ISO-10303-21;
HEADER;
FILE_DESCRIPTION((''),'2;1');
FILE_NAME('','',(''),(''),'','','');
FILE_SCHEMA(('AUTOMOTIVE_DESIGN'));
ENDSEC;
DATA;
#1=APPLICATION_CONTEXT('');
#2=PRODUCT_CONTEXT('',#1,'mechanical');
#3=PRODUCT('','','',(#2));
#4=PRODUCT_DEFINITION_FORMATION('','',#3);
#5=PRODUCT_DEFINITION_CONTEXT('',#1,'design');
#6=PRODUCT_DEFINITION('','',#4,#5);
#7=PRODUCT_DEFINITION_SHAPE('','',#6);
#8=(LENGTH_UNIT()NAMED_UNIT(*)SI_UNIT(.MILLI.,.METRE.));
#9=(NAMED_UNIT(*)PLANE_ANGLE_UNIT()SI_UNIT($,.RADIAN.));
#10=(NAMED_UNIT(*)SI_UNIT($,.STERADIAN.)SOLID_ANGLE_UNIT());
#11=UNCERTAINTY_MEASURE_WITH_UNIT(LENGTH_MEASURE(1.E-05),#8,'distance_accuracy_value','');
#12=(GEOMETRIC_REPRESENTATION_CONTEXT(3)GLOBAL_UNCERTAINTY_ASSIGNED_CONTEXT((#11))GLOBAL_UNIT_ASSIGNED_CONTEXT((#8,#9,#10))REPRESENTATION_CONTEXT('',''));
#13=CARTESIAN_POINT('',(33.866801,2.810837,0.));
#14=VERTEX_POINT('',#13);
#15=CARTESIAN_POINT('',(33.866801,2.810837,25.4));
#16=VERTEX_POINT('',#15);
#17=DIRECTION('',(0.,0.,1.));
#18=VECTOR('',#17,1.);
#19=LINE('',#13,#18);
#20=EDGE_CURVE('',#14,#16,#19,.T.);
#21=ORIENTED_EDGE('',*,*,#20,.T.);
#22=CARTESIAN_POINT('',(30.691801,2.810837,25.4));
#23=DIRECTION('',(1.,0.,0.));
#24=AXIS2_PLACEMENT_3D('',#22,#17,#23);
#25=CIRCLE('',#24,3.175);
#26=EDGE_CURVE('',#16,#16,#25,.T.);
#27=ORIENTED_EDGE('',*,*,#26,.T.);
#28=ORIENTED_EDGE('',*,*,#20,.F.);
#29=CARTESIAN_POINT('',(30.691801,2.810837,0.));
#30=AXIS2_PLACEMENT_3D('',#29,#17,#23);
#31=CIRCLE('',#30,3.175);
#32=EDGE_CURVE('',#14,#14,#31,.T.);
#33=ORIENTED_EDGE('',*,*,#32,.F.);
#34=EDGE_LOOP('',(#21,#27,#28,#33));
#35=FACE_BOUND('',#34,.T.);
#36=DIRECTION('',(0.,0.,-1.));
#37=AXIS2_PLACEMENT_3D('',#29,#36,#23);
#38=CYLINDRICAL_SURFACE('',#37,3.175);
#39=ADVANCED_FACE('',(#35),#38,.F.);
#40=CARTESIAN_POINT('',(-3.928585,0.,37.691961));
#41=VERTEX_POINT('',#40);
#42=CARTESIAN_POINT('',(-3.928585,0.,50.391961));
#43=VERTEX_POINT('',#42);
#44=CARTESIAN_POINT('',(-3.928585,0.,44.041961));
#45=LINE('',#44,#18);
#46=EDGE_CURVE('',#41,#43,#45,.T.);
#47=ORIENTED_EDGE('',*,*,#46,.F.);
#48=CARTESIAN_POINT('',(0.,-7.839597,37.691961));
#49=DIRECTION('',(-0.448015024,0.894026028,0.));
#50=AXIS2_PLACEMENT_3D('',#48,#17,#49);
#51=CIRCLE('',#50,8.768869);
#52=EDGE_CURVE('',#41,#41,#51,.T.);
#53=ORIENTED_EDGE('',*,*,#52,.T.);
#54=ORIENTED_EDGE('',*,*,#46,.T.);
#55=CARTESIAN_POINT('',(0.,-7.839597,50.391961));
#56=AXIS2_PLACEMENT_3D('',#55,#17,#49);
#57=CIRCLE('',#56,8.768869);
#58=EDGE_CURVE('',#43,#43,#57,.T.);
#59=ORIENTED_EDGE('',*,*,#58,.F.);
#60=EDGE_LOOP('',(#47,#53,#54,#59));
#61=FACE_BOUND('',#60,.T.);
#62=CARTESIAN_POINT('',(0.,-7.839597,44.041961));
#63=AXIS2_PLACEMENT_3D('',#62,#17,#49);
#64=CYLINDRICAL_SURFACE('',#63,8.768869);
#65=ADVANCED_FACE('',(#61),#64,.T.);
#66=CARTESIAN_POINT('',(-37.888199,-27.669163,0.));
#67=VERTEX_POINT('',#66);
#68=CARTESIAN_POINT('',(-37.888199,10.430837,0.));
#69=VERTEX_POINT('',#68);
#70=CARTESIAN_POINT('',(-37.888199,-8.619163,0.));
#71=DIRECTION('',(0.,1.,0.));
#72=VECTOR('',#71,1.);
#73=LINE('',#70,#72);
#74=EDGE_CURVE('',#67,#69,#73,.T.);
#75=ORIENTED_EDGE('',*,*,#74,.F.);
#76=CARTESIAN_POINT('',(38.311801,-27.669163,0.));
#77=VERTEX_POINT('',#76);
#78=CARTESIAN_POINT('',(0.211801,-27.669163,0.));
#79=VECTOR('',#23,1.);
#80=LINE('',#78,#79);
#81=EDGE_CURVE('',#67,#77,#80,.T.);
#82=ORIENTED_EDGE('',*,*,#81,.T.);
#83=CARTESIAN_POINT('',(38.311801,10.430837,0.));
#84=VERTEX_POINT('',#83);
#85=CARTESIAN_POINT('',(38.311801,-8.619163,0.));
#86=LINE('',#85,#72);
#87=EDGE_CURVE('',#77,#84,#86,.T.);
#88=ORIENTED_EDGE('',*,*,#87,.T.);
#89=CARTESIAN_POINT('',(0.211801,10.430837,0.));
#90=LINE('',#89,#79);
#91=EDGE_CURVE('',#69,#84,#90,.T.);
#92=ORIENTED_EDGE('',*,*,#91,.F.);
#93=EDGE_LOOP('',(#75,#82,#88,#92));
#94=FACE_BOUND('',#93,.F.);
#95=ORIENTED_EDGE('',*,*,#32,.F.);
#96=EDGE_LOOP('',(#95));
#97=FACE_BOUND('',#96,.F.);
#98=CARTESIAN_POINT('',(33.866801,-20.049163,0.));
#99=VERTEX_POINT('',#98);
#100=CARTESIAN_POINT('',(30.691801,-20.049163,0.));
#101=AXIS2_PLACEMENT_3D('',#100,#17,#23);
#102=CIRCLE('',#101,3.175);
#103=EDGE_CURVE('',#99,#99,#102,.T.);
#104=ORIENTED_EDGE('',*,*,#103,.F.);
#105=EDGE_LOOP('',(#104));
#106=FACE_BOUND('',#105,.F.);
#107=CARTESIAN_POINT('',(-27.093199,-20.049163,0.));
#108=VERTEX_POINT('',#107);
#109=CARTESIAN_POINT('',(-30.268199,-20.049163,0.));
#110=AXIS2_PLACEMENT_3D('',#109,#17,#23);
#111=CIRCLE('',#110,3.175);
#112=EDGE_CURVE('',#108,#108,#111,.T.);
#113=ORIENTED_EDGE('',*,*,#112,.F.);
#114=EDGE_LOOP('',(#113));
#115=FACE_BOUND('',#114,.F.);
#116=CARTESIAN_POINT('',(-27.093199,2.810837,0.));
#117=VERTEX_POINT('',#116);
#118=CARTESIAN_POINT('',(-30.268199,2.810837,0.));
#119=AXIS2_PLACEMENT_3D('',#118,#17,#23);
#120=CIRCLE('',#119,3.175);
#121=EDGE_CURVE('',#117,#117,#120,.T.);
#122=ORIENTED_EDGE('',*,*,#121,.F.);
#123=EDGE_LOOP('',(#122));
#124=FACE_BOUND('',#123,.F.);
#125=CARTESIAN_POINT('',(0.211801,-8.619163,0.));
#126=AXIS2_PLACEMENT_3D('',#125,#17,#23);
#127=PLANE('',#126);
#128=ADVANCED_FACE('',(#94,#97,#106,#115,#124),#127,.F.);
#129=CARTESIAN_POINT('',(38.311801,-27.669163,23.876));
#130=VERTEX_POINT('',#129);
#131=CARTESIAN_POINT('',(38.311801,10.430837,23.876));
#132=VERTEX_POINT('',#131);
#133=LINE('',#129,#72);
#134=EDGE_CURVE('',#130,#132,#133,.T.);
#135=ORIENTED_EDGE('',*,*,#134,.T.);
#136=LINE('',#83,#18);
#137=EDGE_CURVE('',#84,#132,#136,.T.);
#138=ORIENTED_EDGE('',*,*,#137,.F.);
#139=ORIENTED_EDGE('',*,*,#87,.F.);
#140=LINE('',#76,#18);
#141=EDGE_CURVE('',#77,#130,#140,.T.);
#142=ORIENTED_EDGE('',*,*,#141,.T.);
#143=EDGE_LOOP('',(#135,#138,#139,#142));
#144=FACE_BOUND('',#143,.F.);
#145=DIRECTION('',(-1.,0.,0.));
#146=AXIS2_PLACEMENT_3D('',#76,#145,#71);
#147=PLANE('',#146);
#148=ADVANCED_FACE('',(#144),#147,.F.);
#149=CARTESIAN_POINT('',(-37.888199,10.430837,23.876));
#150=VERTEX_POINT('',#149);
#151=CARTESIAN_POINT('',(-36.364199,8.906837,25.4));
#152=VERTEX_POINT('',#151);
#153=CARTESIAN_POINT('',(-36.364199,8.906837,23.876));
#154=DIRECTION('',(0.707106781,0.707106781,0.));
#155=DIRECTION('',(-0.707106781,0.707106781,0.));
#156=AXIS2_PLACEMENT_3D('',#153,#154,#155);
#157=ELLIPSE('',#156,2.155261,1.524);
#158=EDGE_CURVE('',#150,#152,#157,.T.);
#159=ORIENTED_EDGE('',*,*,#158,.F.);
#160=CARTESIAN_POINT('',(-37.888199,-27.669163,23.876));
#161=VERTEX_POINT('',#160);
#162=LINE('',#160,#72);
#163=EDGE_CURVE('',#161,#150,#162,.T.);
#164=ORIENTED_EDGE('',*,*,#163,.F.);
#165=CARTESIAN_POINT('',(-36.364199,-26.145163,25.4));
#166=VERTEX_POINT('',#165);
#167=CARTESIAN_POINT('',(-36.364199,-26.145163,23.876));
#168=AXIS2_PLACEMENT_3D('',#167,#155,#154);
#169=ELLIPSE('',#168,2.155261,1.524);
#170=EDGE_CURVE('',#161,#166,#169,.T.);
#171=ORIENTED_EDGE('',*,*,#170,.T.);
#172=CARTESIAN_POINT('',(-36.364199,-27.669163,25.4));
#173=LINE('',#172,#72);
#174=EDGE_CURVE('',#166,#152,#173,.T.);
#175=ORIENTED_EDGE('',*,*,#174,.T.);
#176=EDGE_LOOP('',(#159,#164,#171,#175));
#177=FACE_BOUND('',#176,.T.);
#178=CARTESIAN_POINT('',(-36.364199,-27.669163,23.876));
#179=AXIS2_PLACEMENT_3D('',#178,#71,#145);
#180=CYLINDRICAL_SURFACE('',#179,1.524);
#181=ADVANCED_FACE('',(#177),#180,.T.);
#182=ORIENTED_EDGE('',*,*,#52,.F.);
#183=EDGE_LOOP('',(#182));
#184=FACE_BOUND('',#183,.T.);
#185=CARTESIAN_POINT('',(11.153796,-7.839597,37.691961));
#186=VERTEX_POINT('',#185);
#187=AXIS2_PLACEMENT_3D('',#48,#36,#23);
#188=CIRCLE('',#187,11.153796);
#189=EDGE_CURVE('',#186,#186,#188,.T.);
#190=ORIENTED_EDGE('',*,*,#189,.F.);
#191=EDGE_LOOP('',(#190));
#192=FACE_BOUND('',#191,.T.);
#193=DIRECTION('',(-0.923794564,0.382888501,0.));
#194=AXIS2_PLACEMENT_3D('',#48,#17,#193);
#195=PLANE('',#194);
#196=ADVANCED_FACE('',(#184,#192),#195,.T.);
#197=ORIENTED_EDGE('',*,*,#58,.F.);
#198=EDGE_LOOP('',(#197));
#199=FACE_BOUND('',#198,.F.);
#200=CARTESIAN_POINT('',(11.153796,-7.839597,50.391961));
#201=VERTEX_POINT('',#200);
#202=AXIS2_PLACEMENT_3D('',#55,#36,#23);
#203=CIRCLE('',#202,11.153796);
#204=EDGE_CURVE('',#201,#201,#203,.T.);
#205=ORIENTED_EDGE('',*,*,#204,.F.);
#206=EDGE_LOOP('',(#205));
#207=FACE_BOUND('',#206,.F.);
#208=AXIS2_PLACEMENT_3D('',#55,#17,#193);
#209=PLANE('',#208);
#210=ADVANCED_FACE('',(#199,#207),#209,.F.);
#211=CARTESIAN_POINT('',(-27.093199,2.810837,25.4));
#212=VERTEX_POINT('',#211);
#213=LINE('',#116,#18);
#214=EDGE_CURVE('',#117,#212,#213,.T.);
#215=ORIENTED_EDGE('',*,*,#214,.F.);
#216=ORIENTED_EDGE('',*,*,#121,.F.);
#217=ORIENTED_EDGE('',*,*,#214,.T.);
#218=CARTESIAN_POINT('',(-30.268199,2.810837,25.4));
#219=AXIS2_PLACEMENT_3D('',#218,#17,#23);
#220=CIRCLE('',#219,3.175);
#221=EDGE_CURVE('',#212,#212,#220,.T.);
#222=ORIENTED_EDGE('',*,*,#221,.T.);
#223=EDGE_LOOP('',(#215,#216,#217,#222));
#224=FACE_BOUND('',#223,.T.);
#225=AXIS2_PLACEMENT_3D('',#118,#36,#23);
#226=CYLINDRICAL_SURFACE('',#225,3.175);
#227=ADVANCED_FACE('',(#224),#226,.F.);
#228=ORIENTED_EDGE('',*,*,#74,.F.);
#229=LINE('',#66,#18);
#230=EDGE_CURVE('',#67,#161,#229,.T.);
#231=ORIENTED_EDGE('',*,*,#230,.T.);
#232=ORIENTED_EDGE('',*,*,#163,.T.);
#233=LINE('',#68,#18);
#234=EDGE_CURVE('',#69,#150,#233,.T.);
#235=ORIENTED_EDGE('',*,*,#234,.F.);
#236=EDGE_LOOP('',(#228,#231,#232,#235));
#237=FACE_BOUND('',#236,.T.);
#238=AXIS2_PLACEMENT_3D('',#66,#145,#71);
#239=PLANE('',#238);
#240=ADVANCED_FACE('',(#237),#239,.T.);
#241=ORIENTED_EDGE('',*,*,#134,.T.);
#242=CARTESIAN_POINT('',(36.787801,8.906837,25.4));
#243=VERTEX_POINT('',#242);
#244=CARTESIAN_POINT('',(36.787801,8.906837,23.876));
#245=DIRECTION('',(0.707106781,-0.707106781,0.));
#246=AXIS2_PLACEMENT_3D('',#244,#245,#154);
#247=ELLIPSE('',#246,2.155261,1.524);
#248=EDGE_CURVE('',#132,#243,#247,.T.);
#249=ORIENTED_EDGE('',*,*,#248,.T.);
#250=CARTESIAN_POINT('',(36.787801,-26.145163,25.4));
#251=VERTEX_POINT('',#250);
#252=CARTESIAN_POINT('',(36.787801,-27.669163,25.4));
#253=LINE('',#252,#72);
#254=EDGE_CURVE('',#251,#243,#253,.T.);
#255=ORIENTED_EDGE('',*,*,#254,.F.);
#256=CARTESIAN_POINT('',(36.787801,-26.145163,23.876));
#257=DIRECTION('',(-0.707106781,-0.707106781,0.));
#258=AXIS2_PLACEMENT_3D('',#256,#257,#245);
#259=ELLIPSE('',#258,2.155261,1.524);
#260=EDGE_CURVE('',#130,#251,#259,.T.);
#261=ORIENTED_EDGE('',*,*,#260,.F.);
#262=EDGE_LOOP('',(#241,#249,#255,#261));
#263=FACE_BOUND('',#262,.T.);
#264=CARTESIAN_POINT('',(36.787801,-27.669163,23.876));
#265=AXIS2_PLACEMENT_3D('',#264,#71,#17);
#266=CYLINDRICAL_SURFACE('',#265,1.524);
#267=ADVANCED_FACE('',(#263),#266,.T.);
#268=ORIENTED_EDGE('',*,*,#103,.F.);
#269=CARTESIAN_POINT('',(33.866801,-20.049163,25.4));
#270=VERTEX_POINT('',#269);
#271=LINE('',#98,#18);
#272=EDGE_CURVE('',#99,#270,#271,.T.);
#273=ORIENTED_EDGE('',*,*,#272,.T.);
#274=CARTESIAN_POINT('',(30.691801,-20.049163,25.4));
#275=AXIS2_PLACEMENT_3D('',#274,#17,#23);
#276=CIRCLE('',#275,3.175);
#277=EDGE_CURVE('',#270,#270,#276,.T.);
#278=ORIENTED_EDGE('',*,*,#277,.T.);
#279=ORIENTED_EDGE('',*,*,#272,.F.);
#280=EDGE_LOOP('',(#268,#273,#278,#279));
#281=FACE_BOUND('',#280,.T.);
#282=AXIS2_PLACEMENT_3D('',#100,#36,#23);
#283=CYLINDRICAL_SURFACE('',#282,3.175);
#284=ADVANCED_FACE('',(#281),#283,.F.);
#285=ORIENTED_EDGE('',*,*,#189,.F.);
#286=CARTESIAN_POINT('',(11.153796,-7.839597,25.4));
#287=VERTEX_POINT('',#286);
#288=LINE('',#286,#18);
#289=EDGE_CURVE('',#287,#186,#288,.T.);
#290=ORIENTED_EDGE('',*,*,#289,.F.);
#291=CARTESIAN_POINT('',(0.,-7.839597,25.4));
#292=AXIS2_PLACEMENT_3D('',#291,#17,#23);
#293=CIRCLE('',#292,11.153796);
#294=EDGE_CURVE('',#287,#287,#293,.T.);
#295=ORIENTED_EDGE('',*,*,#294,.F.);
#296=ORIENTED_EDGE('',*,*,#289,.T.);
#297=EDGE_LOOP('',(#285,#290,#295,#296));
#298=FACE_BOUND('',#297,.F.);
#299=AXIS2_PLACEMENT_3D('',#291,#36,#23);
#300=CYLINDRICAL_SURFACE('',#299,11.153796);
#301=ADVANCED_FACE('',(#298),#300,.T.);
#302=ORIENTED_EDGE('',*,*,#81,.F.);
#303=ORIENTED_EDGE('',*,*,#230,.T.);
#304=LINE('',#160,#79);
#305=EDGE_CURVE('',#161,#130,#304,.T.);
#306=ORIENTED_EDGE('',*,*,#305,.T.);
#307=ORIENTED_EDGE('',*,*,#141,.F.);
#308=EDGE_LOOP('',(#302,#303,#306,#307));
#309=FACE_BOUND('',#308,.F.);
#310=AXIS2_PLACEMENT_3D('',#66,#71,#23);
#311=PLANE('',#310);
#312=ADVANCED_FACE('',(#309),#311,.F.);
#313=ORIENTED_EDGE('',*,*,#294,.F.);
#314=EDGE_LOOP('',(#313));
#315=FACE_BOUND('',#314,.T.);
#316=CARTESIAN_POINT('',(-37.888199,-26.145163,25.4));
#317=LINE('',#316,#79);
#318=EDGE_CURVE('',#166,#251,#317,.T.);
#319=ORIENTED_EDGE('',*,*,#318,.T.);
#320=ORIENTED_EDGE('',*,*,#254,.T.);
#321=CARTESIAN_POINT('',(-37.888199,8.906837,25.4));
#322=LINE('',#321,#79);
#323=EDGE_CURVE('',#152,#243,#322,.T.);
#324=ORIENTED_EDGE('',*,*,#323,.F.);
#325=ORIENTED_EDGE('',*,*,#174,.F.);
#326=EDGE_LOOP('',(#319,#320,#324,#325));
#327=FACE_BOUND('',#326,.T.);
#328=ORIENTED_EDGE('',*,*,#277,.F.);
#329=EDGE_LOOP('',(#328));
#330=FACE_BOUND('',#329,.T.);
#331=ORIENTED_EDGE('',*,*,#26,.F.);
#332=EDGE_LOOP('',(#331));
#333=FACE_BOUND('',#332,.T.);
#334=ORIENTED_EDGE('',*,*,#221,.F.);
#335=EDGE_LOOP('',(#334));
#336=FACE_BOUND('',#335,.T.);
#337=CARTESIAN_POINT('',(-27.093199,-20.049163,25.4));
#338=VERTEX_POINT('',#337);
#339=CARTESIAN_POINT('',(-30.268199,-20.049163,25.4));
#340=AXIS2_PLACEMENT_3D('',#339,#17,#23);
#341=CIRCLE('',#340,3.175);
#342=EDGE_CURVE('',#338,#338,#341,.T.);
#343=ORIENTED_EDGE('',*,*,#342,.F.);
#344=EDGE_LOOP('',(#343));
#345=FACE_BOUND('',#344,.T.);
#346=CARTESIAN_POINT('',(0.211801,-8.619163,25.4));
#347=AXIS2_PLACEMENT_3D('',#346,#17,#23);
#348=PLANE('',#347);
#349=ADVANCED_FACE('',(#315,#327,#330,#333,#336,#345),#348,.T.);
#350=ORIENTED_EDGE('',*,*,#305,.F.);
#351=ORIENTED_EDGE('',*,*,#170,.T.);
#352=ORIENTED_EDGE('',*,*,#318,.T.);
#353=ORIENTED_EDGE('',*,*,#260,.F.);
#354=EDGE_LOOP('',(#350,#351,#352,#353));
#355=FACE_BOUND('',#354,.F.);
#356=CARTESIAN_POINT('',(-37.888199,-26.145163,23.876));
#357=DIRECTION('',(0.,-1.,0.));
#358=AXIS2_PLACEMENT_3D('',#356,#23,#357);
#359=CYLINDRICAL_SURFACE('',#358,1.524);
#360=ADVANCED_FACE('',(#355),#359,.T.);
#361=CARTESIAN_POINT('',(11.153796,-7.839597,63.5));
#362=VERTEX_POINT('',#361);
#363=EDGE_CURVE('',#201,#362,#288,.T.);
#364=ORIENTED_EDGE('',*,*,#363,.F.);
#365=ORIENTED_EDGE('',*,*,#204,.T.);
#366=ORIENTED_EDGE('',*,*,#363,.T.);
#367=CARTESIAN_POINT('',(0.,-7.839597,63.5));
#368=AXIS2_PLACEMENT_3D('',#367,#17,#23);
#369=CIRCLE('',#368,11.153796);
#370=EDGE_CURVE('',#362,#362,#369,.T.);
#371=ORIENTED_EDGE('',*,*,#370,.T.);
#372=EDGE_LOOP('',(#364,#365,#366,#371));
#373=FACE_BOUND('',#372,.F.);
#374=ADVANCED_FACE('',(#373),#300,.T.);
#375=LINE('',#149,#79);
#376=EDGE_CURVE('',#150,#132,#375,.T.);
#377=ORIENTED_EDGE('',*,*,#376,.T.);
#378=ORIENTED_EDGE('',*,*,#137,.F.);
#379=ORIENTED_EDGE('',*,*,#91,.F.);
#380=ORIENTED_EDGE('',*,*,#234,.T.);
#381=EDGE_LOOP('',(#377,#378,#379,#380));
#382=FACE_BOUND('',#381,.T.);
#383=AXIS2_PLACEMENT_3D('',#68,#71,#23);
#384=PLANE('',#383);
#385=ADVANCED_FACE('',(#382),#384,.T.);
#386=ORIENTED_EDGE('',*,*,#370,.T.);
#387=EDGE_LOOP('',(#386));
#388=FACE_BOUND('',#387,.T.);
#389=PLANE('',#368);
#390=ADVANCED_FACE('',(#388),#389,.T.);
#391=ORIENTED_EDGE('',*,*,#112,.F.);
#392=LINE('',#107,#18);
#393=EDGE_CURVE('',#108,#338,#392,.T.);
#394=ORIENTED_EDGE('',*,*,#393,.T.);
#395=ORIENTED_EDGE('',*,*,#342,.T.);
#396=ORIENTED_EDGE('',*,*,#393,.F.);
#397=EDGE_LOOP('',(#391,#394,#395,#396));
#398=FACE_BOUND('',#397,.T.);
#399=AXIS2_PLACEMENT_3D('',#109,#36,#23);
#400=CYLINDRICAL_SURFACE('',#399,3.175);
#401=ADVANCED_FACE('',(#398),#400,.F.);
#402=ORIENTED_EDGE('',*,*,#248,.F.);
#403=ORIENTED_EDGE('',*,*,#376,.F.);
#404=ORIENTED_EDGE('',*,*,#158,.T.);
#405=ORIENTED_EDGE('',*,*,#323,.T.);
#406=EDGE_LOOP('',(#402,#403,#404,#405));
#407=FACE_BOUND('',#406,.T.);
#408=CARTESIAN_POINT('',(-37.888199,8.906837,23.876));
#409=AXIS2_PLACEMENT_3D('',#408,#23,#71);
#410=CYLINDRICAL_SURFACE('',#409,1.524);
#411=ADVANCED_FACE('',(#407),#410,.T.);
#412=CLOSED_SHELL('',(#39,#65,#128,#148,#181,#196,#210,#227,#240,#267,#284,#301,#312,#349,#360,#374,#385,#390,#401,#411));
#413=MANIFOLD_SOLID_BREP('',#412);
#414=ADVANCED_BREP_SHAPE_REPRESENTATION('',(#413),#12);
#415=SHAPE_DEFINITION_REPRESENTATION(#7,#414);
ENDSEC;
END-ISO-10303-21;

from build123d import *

# Parameters (mm, degrees)
F0_W     = 76.2
F0_H     = 38.1
F1_DEPTH = 25.4
F2_R     = 3.175
F3_DEPTH = 25.4
F4_R     = 11.153796
F5_DEPTH = 38.1
F6_W     = 14.986
F6_H     = 12.7
F8_R     = 1.524


with BuildPart() as f1:
    # F0 (on Top) → F1 (new body)
    with BuildSketch(Plane.XY):
        with Locations((0.211801, -8.619163)):
            Rectangle(F0_W, F0_H)
    extrude(amount=F1_DEPTH)

    # F2 (on Top) → F3 (cut)
    with BuildSketch(Plane.XY):
        with Locations((-30.268199, 2.810837)):
            Circle(F2_R)
        with Locations((-30.268199, -20.049163)):
            Circle(F2_R)
        with Locations((30.691801, 2.810837)):
            Circle(F2_R)
        with Locations((30.691801, -20.049163)):
            Circle(F2_R)
    extrude(amount=F3_DEPTH, mode=Mode.SUBTRACT)

    # F4 (on face) → F5 (join)
    with BuildSketch(Plane.XY.offset(25.4)):
        with Locations((0, -7.839597)):
            Circle(F4_R)
    extrude(amount=F5_DEPTH)

    # F6 (on Front) → F7 (revolve, cut)
    with BuildSketch(Plane.XZ):
        with Locations((-11.421585, 44.041961)):
            Rectangle(F6_W, F6_H)
    revolve(axis=Axis((0, -7.839597, 63.5), (0, 0, 1)), mode=Mode.SUBTRACT)

    # F8
    f8_edges = [f1.edges().sort_by_distance(p)[0] for p in [
        (0.211801, -27.669163, 25.4),
        (-37.888199, -8.619163, 25.4),
        (0.211801, 10.430837, 25.4),
        (38.311801, -8.619163, 25.4),
    ]]
    fillet(f8_edges, radius=F8_R)


solid = f1.part
